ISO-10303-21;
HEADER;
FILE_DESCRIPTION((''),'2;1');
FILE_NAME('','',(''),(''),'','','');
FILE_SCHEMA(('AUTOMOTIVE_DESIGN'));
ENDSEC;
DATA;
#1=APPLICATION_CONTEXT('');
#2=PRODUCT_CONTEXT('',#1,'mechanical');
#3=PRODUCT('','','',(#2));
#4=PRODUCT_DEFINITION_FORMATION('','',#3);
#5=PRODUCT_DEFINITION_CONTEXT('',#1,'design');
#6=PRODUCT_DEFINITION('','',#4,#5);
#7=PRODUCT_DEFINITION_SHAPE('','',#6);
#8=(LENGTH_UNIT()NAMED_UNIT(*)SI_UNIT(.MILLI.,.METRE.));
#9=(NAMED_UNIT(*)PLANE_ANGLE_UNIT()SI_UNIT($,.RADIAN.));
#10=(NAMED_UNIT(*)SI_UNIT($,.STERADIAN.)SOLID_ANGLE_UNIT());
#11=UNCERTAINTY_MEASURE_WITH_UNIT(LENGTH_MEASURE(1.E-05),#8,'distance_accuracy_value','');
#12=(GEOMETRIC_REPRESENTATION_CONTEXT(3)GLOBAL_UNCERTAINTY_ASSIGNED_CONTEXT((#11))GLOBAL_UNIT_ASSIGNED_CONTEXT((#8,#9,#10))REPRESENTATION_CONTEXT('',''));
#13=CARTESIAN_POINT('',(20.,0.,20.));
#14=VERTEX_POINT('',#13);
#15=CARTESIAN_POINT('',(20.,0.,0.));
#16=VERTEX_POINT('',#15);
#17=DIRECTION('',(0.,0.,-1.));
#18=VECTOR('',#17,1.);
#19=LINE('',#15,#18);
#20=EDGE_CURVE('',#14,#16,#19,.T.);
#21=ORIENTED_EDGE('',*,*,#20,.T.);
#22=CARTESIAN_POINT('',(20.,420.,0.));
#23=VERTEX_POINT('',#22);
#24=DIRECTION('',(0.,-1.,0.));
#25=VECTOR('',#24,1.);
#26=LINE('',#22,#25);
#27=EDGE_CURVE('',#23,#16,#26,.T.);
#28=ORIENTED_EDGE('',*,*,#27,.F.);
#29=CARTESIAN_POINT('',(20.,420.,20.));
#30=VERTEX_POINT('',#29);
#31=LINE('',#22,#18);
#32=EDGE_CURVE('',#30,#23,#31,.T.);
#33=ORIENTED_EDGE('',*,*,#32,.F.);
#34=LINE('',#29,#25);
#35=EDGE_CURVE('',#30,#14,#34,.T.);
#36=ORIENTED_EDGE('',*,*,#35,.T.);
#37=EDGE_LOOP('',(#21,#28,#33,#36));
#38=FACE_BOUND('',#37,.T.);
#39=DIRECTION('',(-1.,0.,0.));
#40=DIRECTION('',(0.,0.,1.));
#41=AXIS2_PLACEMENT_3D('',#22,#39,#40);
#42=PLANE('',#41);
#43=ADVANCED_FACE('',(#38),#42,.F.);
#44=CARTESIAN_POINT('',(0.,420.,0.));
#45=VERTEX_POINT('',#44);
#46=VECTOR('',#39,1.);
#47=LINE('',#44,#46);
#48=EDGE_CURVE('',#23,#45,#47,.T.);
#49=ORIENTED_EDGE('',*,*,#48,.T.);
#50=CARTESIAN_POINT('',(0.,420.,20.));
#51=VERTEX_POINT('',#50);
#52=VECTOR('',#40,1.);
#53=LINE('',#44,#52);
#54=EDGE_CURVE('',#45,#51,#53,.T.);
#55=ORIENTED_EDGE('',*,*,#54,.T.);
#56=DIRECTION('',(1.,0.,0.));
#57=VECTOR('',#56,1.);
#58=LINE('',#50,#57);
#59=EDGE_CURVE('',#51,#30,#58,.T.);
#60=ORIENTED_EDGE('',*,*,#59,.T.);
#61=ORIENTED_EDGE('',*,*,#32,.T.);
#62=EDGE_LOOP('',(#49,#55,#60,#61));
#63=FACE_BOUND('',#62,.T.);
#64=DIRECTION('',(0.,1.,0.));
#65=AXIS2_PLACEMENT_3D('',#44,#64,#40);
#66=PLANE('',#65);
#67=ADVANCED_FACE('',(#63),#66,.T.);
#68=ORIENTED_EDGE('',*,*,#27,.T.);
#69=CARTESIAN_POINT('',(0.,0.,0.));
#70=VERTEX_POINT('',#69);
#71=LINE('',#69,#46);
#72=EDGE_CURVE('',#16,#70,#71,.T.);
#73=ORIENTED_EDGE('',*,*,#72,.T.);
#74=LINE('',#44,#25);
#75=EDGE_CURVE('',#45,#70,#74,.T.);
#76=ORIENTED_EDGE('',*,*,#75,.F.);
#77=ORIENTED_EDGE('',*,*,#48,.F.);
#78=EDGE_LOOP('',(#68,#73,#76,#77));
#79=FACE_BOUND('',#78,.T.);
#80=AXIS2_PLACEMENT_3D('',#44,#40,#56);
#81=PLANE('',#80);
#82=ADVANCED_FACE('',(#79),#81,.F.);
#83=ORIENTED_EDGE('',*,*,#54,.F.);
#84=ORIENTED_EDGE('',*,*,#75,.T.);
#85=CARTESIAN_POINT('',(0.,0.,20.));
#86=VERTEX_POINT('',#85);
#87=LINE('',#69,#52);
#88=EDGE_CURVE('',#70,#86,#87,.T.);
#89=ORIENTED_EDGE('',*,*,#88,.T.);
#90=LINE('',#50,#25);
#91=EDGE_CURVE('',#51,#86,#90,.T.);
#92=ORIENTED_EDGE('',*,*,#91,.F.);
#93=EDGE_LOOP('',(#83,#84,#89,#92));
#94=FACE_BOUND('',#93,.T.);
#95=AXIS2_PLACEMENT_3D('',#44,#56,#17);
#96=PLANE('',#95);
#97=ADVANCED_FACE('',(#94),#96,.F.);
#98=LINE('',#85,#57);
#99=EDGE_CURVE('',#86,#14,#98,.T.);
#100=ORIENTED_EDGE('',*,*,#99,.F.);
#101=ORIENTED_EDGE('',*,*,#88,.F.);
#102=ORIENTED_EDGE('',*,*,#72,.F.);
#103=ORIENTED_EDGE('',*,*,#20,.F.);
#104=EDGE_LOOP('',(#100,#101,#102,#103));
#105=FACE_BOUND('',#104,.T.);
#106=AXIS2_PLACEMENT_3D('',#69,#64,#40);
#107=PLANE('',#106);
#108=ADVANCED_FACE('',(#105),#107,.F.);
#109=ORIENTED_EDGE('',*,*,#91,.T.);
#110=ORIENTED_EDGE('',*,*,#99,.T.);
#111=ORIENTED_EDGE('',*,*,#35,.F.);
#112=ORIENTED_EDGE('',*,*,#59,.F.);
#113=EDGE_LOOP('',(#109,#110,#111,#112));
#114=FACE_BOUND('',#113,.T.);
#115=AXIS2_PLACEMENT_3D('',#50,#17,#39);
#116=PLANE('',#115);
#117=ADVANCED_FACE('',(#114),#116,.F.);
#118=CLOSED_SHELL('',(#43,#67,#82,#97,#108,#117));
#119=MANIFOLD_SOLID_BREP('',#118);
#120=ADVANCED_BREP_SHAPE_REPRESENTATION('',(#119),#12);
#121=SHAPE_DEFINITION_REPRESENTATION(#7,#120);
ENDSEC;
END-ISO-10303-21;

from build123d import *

# Parameters (mm, degrees)
SKETCH1_W           = 20
SKETCH1_H           = 20
BOSS_EXTRUDE1_DEPTH = 420


with BuildPart() as part:
    # Sketch1 → Boss-Extrude1 (new body)
    with BuildSketch(Plane(origin=(0, 0, 0), x_dir=(1, 0, 0), z_dir=(0, 1, 0))):
        with Locations((10, -10)):
            Rectangle(SKETCH1_W, SKETCH1_H)
    extrude(amount=BOSS_EXTRUDE1_DEPTH)


solid = part.part
